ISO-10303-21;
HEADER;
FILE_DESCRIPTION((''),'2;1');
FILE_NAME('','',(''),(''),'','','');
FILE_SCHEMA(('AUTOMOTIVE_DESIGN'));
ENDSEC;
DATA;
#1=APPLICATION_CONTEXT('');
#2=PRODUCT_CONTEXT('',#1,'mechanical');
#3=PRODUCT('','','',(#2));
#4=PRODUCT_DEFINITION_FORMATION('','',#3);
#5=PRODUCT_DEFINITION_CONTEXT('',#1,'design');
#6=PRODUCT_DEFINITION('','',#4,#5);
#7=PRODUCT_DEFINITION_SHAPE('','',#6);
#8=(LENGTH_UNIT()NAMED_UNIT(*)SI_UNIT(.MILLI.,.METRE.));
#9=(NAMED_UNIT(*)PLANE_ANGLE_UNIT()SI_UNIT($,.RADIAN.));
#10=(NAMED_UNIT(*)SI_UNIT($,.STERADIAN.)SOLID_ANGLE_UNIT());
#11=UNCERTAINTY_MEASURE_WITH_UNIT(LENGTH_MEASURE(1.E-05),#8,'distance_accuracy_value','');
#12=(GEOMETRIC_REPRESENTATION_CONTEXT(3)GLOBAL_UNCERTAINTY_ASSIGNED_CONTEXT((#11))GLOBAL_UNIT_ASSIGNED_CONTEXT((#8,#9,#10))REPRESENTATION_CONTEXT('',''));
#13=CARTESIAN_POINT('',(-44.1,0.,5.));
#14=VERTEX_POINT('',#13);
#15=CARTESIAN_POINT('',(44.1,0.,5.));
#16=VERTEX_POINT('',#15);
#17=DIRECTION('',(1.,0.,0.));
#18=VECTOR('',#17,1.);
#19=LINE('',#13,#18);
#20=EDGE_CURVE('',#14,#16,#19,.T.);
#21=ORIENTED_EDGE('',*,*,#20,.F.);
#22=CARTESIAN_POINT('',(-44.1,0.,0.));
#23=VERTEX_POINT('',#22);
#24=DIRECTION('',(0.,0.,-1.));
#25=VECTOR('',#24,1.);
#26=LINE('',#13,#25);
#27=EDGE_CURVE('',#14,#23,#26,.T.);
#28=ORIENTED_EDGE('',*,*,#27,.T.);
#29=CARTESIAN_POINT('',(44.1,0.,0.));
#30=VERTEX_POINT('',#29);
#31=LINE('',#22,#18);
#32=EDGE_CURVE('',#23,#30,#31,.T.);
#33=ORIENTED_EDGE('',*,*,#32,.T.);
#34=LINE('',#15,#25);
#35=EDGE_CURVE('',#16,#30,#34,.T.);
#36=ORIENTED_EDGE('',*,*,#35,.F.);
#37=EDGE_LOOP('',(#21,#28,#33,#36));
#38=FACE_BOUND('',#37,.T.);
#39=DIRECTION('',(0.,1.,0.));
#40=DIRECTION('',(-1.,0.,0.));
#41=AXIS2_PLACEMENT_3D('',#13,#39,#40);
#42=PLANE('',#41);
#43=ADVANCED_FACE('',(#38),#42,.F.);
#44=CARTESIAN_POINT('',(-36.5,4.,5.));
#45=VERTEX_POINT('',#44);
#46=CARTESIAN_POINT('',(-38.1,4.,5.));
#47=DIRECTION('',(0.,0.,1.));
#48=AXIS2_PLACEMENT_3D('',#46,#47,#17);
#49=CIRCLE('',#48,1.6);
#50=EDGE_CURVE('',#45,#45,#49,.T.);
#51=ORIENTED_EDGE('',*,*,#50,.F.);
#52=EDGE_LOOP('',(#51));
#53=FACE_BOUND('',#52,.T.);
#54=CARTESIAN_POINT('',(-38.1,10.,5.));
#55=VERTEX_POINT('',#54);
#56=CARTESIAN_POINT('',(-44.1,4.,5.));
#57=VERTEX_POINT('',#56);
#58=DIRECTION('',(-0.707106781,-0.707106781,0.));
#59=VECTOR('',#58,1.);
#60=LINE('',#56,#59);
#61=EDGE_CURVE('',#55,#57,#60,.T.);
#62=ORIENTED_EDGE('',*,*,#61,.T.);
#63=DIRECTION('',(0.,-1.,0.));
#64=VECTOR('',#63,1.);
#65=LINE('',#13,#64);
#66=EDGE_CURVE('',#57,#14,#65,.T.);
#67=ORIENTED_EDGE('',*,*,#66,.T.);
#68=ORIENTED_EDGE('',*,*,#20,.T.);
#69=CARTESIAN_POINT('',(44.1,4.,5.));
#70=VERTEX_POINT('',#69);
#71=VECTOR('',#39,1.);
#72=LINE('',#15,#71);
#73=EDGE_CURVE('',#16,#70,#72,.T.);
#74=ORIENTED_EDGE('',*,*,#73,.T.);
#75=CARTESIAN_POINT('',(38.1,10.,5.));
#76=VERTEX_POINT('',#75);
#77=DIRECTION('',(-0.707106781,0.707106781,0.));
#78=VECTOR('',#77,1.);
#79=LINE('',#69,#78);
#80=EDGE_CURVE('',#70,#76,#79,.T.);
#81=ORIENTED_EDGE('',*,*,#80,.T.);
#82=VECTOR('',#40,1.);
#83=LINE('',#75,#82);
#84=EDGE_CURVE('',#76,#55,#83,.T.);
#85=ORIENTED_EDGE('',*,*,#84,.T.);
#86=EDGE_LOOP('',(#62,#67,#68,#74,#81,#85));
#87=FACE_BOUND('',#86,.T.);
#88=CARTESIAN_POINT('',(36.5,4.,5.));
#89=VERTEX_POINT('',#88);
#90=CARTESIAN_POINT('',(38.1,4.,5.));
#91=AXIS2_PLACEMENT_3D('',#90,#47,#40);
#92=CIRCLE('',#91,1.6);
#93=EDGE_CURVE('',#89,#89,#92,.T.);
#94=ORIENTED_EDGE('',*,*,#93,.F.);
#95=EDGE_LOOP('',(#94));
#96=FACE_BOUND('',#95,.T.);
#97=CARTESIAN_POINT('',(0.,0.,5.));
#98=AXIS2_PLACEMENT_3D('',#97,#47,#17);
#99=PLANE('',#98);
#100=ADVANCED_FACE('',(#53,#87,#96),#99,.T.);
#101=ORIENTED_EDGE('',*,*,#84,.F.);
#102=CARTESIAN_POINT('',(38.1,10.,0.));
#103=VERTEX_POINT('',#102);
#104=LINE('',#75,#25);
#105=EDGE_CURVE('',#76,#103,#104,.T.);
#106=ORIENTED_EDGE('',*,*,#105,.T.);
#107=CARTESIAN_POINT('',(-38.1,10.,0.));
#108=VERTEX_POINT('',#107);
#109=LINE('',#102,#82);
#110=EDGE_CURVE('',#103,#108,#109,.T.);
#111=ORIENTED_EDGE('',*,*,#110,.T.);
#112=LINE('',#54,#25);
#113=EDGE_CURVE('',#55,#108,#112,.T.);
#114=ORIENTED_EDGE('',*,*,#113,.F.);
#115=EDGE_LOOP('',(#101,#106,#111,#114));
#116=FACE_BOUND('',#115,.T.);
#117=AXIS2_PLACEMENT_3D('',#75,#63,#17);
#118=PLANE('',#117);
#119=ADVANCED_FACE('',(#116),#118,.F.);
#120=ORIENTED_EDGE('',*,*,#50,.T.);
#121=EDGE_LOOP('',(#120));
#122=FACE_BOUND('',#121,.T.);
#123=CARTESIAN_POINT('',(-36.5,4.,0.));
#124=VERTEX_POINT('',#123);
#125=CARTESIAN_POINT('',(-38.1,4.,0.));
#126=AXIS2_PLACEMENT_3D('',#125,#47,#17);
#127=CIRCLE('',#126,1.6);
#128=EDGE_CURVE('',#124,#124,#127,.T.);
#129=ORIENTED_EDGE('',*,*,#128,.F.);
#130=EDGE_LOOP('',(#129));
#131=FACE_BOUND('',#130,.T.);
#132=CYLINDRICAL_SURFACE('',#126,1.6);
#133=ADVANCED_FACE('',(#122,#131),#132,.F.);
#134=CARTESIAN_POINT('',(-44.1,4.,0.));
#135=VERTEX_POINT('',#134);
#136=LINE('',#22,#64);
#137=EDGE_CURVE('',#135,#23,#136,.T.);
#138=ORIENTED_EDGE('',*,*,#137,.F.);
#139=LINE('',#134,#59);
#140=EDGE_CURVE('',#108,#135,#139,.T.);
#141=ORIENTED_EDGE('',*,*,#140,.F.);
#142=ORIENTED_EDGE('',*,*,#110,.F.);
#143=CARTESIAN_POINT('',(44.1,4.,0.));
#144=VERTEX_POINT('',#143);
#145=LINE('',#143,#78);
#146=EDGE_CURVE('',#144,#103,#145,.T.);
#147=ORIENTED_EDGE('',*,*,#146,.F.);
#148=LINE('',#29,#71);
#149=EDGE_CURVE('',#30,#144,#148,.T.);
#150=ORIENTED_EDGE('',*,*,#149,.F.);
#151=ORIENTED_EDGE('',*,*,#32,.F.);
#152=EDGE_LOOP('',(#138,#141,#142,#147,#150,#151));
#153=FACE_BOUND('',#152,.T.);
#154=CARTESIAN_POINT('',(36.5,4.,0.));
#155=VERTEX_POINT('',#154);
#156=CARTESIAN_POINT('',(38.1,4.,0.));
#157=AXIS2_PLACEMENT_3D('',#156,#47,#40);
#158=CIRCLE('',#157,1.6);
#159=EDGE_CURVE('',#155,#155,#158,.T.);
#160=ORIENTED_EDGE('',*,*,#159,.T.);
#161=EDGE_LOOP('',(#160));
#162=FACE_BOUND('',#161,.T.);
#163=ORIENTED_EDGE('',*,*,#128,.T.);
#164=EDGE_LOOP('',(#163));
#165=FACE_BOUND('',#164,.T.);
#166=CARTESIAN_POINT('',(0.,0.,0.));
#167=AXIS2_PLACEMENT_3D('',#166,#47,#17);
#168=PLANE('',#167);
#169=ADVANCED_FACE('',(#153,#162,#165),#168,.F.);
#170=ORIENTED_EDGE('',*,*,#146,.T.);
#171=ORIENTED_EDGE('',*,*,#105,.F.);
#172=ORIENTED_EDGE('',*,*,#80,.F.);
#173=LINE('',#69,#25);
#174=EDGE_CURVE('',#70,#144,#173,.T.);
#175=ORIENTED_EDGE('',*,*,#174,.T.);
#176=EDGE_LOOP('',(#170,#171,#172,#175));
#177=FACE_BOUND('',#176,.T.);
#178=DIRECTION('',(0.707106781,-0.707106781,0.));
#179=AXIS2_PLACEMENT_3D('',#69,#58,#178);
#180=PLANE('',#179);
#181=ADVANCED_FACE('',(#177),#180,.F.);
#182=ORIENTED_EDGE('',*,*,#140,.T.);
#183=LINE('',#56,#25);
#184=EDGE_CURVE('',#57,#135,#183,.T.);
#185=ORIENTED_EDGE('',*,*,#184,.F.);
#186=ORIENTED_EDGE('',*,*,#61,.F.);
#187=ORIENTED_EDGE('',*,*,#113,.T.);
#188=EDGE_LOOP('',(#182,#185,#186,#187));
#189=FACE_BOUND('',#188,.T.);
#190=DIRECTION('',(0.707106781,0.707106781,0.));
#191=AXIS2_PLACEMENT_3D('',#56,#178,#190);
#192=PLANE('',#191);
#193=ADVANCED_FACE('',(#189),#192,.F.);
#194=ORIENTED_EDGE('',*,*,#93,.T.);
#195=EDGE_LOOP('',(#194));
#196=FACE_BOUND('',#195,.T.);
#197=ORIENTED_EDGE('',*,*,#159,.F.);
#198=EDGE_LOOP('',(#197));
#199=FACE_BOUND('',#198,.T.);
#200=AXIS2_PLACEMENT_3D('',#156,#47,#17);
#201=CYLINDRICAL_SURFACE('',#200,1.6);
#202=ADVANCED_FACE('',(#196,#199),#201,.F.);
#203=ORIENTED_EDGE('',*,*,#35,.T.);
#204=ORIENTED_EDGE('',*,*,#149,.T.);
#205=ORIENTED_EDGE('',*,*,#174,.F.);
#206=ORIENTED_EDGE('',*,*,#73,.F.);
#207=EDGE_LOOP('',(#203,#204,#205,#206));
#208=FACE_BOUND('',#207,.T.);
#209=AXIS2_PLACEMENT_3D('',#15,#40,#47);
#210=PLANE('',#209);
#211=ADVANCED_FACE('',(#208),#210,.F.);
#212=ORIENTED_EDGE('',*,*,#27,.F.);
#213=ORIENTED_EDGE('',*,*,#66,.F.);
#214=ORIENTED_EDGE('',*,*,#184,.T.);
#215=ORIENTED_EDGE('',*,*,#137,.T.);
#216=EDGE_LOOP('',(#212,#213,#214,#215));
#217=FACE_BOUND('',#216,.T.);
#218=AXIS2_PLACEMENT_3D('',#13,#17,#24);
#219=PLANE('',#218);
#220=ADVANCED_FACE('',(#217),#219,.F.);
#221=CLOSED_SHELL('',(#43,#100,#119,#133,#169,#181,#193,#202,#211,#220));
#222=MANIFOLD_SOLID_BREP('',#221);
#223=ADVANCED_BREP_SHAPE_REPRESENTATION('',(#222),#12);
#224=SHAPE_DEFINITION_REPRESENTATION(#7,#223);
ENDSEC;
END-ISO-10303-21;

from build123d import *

# Parameters (mm, degrees)
DODANIE_WYCI_GNI_CIE1_DEPTH = 5
SZKIC2_R                    = 1.6
WYTNIJ_WYCI_GNI_CIE1_DEPTH  = 46.495164578


with BuildPart() as part:
    # Szkic1 → Dodanie-wyciągnięcie1 (new body)
    with BuildSketch(Plane.XY):
        Polygon((-44.1, 0), (44.1, 0), (44.1, 4), (38.1, 10), (-38.1, 10), (-44.1, 4), align=None)
    extrude(amount=DODANIE_WYCI_GNI_CIE1_DEPTH)

    # Szkic2 → Wytnij-wyciągnięcie1 (cut, through all)
    with BuildSketch(Plane.XY.offset(5)):
        with Locations((-38.1, 4)):
            Circle(SZKIC2_R)
        with Locations(Location((38.1, 4, 0), (0, 0, 180))):
            Circle(SZKIC2_R)
    extrude(amount=-WYTNIJ_WYCI_GNI_CIE1_DEPTH, mode=Mode.SUBTRACT)


solid = part.part
